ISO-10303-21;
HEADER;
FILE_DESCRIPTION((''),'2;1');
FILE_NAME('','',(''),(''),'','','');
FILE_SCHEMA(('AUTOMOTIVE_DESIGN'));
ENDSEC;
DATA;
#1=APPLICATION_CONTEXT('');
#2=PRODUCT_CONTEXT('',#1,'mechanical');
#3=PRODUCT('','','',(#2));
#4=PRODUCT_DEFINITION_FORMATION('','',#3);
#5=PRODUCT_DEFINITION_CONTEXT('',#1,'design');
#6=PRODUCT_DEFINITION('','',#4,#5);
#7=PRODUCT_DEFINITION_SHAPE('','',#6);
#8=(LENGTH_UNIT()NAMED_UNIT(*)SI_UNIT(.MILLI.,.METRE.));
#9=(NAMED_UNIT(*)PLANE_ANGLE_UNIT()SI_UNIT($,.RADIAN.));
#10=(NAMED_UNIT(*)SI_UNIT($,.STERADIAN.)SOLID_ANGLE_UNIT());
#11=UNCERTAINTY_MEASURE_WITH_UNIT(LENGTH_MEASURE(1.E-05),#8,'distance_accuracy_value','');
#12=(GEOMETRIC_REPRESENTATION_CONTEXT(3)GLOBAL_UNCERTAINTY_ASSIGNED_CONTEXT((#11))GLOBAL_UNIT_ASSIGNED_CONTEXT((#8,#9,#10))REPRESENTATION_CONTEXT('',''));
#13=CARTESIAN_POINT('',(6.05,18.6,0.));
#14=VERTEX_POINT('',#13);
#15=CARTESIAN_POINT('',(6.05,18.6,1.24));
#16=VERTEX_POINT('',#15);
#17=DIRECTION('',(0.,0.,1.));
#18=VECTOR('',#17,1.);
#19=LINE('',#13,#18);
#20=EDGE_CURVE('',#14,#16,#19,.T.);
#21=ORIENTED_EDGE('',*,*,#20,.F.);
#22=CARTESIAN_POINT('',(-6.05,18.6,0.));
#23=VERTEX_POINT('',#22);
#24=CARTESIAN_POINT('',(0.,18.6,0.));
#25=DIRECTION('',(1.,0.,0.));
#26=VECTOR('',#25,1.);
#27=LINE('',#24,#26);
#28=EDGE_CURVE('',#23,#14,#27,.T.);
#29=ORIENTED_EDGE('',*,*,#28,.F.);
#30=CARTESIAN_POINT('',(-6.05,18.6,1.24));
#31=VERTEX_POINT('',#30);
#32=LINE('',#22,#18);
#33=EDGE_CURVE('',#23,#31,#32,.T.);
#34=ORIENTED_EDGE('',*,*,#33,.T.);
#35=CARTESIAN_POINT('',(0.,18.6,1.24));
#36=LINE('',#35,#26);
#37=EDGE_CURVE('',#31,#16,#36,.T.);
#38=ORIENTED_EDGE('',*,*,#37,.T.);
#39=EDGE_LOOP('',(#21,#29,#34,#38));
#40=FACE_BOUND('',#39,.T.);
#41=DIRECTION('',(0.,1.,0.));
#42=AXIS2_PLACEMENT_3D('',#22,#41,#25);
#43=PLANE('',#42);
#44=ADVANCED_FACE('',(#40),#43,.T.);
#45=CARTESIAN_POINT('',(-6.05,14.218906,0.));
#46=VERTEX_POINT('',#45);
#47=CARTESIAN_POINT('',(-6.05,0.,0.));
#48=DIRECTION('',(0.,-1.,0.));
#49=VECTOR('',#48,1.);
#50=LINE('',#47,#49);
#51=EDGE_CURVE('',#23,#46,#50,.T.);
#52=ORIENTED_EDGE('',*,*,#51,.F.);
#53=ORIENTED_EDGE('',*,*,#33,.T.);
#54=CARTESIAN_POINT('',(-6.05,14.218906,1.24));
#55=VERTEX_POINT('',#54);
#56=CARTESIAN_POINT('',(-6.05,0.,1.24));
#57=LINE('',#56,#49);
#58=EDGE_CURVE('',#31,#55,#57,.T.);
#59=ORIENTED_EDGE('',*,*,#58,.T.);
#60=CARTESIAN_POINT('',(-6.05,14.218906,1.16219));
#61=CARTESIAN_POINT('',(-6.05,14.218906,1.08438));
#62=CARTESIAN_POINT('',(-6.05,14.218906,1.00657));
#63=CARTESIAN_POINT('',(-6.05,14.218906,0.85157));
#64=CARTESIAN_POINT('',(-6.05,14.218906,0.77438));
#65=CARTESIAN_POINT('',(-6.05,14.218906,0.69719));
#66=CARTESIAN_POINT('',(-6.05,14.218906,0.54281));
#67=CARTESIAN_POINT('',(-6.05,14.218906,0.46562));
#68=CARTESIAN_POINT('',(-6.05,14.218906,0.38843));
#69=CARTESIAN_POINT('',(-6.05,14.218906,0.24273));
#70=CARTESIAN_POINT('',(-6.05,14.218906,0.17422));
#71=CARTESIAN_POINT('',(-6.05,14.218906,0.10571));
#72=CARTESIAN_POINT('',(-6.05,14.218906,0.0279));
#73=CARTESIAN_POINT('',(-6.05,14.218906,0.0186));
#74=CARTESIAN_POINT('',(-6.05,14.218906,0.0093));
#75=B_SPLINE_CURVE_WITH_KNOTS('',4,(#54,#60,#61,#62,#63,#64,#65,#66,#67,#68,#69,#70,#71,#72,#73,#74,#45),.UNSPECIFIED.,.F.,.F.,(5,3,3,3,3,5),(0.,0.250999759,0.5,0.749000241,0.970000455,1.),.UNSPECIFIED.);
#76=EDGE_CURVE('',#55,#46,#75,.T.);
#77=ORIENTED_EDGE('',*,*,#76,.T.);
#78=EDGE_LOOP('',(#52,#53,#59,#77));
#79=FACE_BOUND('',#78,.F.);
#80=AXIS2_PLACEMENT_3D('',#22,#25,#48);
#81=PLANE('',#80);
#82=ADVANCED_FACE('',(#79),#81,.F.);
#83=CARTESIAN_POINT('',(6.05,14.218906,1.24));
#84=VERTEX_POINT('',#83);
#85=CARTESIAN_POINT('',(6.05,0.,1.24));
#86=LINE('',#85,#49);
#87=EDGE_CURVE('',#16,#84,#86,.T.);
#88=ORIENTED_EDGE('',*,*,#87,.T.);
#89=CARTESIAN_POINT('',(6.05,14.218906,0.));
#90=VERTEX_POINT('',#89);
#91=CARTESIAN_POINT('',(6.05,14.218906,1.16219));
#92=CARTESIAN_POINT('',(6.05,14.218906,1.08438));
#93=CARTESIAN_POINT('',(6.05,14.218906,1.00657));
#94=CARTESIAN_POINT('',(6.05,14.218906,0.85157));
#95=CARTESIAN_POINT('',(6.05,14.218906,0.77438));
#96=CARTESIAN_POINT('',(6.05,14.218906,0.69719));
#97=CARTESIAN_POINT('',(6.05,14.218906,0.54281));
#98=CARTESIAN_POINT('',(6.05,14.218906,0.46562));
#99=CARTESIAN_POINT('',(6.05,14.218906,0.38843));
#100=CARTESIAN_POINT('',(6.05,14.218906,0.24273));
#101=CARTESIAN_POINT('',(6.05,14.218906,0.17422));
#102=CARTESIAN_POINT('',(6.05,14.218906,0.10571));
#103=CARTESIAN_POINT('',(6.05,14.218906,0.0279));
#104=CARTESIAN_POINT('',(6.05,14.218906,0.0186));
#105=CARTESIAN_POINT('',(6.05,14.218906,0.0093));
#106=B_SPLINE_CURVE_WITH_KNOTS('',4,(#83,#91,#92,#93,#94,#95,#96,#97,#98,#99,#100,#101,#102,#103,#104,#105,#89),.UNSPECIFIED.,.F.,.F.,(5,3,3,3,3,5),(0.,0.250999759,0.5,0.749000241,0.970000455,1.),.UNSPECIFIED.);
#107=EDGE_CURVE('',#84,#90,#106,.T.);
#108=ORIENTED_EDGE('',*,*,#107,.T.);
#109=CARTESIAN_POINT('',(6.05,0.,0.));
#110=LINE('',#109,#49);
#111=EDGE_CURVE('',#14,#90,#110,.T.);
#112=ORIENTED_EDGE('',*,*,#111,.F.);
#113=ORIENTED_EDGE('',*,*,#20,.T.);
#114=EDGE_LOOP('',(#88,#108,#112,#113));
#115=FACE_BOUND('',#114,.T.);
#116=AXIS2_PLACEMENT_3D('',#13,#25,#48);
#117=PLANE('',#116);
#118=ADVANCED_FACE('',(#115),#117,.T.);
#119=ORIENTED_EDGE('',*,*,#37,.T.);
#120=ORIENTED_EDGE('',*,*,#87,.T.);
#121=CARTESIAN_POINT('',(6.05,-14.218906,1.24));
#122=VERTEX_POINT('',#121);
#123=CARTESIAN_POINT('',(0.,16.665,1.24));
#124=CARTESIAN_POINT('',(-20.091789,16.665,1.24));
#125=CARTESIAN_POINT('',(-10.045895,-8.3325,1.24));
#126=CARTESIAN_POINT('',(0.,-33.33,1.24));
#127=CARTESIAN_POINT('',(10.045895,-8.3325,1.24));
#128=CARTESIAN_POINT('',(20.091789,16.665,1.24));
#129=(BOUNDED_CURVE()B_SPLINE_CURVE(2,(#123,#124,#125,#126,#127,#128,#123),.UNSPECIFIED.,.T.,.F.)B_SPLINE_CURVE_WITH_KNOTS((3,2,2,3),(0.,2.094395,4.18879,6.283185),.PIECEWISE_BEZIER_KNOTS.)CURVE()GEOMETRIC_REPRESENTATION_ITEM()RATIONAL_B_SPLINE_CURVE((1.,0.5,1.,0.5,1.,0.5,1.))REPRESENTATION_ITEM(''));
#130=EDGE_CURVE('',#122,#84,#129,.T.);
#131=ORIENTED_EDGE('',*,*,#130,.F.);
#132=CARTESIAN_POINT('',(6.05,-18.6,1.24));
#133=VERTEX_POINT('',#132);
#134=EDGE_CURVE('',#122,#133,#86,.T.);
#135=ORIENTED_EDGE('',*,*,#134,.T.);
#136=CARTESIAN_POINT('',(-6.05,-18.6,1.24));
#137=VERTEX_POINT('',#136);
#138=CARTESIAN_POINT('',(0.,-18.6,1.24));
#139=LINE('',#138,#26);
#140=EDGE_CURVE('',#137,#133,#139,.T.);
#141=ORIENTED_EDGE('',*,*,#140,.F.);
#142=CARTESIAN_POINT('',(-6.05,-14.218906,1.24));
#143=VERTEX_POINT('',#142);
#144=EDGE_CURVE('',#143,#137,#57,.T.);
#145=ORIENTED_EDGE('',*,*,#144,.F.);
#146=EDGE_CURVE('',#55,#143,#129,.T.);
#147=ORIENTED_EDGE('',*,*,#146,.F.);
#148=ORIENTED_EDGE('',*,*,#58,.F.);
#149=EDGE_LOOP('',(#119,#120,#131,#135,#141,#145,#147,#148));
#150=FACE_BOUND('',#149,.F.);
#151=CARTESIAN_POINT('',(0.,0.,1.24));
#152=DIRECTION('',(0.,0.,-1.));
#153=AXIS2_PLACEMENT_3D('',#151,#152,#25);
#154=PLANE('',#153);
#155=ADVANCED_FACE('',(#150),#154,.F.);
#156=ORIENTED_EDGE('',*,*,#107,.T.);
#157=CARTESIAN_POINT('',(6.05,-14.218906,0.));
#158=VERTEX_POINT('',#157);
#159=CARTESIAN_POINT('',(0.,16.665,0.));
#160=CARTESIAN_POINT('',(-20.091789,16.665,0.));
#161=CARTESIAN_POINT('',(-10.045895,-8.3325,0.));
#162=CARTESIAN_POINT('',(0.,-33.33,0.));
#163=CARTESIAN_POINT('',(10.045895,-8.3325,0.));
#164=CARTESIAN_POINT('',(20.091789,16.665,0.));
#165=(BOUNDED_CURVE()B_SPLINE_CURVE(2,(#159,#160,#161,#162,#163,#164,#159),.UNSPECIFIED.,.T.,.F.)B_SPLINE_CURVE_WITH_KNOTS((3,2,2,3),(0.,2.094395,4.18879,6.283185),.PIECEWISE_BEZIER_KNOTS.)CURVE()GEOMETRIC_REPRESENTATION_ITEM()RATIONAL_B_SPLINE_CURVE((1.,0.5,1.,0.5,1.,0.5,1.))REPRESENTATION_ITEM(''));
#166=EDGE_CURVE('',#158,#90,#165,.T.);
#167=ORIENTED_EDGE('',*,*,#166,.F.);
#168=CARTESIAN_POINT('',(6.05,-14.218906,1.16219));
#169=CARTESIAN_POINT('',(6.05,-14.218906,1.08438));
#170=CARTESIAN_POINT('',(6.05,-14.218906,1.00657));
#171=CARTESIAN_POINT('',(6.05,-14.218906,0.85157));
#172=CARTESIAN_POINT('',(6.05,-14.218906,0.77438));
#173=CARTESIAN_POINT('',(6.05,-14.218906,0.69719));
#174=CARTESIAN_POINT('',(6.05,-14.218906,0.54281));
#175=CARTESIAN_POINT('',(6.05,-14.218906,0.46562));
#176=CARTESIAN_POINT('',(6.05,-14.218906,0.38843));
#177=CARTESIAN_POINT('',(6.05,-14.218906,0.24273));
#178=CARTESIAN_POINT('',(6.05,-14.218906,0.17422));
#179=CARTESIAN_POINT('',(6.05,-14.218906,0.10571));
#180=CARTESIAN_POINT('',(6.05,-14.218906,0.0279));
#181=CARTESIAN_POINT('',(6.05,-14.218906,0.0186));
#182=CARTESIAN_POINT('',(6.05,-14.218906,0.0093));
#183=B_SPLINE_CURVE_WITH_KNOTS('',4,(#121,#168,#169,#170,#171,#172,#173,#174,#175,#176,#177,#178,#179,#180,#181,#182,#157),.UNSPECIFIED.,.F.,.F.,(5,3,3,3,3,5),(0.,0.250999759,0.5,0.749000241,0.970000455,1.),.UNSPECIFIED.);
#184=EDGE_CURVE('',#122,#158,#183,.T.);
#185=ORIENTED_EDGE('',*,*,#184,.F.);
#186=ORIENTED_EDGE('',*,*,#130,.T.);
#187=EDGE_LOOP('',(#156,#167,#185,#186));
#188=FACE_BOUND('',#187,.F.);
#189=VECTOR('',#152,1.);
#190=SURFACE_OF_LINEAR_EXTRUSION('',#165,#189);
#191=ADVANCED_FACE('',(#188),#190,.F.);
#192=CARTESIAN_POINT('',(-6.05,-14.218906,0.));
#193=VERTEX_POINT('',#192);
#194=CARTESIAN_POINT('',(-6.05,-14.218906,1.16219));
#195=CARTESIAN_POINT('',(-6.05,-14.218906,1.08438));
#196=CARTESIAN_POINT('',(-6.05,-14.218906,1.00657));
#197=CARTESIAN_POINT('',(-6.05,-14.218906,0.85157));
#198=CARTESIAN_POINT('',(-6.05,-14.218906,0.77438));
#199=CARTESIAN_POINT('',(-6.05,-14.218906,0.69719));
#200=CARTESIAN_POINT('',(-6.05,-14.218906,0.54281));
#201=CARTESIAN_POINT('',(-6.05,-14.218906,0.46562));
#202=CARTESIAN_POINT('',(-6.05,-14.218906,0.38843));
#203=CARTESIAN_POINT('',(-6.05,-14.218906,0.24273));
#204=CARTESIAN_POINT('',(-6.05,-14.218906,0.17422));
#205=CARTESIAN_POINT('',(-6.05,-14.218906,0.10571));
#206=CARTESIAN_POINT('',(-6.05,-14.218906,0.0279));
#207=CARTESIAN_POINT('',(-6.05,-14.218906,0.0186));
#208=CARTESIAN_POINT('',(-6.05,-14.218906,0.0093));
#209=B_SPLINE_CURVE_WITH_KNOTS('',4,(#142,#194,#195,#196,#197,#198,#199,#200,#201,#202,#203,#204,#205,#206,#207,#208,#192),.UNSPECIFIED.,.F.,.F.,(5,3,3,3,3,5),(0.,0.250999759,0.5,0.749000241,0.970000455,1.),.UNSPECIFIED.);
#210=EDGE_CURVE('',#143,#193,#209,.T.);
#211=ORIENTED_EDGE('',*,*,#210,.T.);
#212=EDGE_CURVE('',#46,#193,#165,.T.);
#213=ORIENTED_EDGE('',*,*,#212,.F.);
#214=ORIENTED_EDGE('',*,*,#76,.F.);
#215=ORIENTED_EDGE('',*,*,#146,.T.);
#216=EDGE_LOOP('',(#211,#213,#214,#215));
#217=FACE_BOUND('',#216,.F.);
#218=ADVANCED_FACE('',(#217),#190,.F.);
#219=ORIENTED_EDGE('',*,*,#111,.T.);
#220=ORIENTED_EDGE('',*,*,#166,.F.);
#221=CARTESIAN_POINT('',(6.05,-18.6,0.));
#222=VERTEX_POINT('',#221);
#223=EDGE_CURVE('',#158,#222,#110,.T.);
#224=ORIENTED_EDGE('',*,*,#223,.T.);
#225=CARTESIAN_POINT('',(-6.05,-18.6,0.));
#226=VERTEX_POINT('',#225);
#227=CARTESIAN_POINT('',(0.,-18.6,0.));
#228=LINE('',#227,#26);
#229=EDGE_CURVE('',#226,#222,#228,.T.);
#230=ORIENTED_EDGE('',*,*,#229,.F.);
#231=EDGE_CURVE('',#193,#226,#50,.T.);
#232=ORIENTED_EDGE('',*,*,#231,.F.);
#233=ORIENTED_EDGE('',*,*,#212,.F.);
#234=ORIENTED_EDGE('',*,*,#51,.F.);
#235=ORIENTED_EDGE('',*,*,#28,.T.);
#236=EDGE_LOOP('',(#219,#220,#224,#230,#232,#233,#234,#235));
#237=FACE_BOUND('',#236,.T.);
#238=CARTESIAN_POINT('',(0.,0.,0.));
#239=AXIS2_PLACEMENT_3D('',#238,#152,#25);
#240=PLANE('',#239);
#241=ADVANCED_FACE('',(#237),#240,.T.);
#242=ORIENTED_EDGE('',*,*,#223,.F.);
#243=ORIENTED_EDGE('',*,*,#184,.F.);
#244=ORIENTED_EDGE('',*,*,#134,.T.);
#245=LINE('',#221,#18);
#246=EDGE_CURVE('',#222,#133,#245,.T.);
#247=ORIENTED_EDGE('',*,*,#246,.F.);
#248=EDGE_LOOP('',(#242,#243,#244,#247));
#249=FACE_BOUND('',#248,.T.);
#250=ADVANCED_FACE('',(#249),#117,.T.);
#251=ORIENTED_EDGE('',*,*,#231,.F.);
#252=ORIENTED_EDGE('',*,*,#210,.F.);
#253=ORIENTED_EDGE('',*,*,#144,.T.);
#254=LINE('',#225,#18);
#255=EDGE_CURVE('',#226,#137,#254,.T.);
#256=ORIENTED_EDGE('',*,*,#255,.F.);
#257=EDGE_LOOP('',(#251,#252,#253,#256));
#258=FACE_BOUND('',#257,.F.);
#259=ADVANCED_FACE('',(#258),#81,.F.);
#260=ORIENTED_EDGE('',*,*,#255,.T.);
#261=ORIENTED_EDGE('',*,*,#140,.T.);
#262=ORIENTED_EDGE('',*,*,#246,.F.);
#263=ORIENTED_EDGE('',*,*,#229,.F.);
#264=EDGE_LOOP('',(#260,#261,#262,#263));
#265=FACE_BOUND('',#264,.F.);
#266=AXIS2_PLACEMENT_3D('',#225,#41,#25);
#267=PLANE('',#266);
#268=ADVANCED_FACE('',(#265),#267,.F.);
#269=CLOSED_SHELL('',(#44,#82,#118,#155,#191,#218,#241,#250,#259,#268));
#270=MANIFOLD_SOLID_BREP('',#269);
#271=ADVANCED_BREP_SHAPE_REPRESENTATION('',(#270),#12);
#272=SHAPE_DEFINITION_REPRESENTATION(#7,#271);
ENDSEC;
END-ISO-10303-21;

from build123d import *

# Parameters (mm, degrees)
PAD_DEPTH    = 1.24
SKETCH001_W  = 12.1
SKETCH001_H  = 37.2
PAD001_DEPTH = 1.24


with BuildPart() as part:
    # Sketch → Pad (new body)
    with BuildSketch(Plane.XY):
        with BuildLine():
            add(Edge.make_bspline(
                [(0, 16.665), (-20.091789, 16.665), (-10.045895, -8.3325), (0, -33.33), (10.045895, -8.3325), (20.091789, 16.665), (0, 16.665)],
                knots=[0, 0, 0, 2.094395, 2.094395, 4.18879, 4.18879, 6.283185, 6.283185, 6.283185], degree=2, weights=[1, 0.5, 1, 0.5, 1, 0.5, 1]))
        make_face()
    extrude(amount=PAD_DEPTH)

    # Sketch001 (on Face2 of Pad) → Pad001 (join)
    with BuildSketch(Plane(origin=(0, 0, 0), x_dir=(1, 0, 0), z_dir=(0, 0, -1))):
        Rectangle(SKETCH001_W, SKETCH001_H)
    extrude(amount=-PAD001_DEPTH)


solid = part.part
